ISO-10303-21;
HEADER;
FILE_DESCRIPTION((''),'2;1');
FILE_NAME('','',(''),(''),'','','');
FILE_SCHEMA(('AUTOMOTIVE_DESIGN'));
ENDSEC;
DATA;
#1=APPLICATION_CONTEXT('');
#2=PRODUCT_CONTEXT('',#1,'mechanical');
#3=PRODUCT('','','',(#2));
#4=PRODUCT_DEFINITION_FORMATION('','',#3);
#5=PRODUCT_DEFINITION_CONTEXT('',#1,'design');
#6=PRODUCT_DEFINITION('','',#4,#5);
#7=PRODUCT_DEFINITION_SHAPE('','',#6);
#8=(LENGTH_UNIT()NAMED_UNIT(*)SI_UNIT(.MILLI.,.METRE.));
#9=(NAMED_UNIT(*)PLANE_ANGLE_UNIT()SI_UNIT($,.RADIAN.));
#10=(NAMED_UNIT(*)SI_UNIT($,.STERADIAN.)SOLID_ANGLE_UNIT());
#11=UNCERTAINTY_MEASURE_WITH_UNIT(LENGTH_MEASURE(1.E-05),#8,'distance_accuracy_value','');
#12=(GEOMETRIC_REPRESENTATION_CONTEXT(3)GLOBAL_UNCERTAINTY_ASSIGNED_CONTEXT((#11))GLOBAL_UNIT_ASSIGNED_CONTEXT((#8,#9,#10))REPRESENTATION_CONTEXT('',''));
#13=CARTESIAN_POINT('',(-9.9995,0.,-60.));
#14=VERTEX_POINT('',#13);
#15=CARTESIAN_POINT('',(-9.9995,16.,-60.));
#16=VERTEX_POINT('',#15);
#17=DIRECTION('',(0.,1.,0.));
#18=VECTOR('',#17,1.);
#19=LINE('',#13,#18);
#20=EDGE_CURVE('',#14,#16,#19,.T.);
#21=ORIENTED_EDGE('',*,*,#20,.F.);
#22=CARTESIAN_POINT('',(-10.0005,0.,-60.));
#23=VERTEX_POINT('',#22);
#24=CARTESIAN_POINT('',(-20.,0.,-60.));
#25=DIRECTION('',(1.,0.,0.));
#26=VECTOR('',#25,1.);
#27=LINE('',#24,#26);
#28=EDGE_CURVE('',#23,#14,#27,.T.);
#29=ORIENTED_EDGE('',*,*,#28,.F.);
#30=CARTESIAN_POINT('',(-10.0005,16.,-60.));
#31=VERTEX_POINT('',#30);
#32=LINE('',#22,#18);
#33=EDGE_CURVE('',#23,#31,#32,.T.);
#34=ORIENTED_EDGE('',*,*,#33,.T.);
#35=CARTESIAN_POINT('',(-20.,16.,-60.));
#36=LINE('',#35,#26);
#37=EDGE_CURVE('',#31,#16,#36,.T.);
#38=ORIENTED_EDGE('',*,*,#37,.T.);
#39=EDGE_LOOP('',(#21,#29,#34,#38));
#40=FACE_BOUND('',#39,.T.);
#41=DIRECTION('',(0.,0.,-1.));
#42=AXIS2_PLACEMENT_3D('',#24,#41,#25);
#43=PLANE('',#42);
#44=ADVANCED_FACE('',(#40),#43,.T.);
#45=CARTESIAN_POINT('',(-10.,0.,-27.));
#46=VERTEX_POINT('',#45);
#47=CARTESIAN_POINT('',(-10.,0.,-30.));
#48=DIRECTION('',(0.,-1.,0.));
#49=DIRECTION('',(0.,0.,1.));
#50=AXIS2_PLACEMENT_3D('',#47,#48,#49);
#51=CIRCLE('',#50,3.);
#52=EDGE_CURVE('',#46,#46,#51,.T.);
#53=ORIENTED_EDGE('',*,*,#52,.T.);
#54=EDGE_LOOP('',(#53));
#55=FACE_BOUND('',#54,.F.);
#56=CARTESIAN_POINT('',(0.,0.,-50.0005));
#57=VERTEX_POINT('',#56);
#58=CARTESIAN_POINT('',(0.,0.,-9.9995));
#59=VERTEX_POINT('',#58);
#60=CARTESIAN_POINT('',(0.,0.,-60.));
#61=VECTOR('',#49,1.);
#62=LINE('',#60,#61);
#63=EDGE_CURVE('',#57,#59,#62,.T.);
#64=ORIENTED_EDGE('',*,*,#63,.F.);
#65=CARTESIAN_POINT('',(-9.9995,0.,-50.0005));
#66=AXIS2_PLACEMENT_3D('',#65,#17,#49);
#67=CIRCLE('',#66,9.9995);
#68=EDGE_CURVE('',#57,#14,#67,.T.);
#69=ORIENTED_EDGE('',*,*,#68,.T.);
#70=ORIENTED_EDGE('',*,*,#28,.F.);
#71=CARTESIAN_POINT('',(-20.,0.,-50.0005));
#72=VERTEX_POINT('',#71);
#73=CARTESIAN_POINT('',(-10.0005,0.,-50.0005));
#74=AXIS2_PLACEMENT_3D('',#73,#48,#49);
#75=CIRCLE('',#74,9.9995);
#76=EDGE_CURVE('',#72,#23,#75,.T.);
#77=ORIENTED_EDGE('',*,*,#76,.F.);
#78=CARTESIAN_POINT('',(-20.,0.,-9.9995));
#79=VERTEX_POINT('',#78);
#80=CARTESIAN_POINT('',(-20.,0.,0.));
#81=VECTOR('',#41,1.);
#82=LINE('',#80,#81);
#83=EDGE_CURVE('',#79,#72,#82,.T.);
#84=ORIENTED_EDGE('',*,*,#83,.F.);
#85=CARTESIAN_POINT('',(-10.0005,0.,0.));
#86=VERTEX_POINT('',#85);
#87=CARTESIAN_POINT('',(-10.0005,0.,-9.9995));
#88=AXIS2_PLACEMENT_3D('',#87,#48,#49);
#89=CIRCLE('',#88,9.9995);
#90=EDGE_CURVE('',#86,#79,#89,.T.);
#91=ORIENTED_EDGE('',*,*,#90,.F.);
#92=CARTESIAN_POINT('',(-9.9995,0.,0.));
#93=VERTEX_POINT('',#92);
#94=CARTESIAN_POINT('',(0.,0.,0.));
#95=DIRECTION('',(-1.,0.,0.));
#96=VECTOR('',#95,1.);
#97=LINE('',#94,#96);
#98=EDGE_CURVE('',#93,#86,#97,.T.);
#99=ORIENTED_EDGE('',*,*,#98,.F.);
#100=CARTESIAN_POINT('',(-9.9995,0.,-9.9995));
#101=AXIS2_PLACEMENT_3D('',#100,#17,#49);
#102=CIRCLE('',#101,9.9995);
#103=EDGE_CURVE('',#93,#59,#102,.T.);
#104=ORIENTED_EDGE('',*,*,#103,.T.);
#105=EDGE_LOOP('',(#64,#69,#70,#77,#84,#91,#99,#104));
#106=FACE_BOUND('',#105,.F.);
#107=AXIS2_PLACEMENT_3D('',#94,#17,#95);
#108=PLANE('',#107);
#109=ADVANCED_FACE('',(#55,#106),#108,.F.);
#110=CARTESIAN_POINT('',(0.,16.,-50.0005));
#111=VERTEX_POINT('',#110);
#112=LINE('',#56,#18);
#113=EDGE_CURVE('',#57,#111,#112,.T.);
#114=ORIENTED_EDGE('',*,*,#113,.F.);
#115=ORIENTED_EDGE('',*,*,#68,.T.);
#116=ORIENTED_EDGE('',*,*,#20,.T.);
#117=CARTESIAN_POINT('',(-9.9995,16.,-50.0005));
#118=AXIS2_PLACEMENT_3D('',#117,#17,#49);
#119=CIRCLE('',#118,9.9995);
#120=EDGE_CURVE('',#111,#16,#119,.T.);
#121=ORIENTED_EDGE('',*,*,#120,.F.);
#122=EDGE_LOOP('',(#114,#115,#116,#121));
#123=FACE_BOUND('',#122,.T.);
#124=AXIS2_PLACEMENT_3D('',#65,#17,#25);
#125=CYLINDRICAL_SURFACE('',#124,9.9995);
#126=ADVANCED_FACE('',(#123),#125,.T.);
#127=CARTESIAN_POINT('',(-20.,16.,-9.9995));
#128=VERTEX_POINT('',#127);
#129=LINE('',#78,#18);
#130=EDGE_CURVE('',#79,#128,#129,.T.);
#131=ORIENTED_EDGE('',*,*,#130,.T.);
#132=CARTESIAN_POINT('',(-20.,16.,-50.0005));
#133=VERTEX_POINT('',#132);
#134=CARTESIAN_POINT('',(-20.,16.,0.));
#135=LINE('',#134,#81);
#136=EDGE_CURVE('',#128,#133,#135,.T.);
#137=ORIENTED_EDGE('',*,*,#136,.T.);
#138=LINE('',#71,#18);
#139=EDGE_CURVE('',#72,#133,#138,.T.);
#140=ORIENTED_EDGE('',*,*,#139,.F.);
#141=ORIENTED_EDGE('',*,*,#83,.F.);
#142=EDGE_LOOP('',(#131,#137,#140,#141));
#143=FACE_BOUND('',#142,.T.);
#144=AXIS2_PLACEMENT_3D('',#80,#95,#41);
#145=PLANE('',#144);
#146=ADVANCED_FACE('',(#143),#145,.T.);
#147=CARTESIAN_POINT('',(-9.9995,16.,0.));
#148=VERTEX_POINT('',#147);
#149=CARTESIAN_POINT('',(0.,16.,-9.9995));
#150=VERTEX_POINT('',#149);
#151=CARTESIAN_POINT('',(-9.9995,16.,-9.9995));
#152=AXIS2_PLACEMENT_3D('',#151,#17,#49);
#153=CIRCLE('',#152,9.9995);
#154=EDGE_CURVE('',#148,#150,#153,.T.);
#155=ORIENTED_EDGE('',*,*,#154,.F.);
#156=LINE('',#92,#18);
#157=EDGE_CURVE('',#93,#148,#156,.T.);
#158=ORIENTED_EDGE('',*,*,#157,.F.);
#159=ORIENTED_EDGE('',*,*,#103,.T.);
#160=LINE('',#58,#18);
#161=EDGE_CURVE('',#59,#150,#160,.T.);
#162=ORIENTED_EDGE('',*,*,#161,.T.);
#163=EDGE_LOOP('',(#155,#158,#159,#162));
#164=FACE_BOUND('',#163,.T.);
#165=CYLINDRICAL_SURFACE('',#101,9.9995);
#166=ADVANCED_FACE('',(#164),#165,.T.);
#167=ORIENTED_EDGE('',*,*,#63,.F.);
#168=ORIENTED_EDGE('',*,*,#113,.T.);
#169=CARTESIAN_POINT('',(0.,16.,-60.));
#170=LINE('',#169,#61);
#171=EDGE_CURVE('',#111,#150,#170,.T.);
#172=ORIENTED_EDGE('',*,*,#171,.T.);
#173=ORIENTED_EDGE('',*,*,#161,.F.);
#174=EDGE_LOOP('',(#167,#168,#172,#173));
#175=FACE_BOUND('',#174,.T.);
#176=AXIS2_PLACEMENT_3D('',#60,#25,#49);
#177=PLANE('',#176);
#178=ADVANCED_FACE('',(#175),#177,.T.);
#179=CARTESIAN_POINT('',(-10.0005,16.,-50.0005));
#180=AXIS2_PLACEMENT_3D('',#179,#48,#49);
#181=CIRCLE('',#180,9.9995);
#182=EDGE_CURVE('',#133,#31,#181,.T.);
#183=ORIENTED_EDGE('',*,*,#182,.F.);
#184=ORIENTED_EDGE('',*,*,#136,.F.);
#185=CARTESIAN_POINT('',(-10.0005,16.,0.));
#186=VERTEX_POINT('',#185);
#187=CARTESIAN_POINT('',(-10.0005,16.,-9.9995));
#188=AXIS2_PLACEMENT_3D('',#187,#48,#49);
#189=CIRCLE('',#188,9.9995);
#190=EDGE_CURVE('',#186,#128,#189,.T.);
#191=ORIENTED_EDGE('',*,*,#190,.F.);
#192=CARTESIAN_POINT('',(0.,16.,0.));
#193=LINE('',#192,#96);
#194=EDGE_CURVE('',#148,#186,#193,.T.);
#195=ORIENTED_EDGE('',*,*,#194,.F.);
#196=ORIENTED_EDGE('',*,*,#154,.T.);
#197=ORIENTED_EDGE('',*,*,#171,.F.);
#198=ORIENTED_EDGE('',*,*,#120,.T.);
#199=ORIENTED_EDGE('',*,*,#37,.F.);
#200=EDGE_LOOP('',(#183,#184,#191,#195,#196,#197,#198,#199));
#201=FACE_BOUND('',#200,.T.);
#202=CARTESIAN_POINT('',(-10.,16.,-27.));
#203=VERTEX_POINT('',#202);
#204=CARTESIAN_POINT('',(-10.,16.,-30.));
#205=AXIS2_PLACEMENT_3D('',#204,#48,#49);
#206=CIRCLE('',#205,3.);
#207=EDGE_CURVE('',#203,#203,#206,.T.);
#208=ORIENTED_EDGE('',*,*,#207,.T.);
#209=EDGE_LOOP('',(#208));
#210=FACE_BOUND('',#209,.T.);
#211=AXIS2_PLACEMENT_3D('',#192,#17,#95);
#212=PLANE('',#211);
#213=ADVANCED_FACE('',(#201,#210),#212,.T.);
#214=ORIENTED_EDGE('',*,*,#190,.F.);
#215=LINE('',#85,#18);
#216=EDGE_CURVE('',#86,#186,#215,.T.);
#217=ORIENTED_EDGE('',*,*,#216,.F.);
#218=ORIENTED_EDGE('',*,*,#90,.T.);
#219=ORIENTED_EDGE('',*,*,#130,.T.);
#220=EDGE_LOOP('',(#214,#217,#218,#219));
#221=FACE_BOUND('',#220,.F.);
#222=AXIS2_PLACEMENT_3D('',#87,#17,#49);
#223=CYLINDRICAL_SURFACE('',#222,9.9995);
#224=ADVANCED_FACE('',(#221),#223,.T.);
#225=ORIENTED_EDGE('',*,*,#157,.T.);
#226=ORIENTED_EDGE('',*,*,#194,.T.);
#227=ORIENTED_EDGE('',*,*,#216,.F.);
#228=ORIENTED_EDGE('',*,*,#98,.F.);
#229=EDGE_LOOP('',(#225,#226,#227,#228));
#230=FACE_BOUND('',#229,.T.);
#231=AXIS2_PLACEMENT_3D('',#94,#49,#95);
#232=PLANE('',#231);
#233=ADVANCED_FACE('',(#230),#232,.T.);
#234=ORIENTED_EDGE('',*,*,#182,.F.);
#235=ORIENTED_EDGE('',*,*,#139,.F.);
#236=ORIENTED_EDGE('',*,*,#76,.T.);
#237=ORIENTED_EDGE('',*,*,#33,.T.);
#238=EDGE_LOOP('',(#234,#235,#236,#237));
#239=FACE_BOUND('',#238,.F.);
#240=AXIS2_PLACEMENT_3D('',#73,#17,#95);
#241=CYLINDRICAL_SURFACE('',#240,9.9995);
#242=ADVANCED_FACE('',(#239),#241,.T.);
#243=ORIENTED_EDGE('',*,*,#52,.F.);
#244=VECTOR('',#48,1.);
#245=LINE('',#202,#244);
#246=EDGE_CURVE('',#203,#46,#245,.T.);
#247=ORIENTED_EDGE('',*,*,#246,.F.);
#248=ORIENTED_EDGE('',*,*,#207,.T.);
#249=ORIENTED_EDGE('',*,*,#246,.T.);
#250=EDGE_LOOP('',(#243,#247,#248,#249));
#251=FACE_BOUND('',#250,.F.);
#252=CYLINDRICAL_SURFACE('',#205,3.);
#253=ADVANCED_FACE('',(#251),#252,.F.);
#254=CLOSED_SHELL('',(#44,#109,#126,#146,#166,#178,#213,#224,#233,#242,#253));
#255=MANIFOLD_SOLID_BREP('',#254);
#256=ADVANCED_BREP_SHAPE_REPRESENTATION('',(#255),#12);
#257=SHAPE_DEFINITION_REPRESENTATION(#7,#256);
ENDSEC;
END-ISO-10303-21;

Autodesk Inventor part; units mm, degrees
ref_plane "YZ Plane" through (0, 0, 0) normal (1, 0, 0) x (0, 1, 0)
ref_plane "XZ Plane" through (0, 0, 0) normal (0, 1, 0) x (-1, 0, 0)
ref_plane "XY Plane" through (0, 0, 0) normal (0, 0, 1) x (1, 0, 0)
sketch "Sketch1" plane through (0, 0, 0) normal (0, 1, 0) x (-1, 0, 0)
  line L0 (0, 0) -> (20, 0)
  line L1 (20, 0) -> (20, -60)
  line L2 (20, -60) -> (0, -60)
  line L3 (0, -60) -> (0, 0)
  dimension "d0" = 60
  dimension "d1" = 20
extrude "Extrusion1" add sketch "Sketch1" along normal blind 16
sketch "Sketch2" plane through (0, 16, 0) normal (0, 1, 0) x (1, 0, 0)
  line L0 (-20, 60) -> (-20, 0) projected
  line L1 (0, 60) -> (-20, 60) projected
  point P0 (0, 0)
  point P1 (-10, 30)
  point P2 (-20, 30)
  point P3 (-10, 60)
  dimension "d5" = 10
  dimension "d6" = 30
hole "Hole1" at (-10, 16, -30) direction (0, -1, 0) diameter 6 end through all
fillet "Fillet1" radius 10 4 edges at (-20, 8, 0) (0, 8, 0) (0, 8, -60) (-20, 8, -60)
properties part number "Base_Plate_Spacer_3DPrint"
